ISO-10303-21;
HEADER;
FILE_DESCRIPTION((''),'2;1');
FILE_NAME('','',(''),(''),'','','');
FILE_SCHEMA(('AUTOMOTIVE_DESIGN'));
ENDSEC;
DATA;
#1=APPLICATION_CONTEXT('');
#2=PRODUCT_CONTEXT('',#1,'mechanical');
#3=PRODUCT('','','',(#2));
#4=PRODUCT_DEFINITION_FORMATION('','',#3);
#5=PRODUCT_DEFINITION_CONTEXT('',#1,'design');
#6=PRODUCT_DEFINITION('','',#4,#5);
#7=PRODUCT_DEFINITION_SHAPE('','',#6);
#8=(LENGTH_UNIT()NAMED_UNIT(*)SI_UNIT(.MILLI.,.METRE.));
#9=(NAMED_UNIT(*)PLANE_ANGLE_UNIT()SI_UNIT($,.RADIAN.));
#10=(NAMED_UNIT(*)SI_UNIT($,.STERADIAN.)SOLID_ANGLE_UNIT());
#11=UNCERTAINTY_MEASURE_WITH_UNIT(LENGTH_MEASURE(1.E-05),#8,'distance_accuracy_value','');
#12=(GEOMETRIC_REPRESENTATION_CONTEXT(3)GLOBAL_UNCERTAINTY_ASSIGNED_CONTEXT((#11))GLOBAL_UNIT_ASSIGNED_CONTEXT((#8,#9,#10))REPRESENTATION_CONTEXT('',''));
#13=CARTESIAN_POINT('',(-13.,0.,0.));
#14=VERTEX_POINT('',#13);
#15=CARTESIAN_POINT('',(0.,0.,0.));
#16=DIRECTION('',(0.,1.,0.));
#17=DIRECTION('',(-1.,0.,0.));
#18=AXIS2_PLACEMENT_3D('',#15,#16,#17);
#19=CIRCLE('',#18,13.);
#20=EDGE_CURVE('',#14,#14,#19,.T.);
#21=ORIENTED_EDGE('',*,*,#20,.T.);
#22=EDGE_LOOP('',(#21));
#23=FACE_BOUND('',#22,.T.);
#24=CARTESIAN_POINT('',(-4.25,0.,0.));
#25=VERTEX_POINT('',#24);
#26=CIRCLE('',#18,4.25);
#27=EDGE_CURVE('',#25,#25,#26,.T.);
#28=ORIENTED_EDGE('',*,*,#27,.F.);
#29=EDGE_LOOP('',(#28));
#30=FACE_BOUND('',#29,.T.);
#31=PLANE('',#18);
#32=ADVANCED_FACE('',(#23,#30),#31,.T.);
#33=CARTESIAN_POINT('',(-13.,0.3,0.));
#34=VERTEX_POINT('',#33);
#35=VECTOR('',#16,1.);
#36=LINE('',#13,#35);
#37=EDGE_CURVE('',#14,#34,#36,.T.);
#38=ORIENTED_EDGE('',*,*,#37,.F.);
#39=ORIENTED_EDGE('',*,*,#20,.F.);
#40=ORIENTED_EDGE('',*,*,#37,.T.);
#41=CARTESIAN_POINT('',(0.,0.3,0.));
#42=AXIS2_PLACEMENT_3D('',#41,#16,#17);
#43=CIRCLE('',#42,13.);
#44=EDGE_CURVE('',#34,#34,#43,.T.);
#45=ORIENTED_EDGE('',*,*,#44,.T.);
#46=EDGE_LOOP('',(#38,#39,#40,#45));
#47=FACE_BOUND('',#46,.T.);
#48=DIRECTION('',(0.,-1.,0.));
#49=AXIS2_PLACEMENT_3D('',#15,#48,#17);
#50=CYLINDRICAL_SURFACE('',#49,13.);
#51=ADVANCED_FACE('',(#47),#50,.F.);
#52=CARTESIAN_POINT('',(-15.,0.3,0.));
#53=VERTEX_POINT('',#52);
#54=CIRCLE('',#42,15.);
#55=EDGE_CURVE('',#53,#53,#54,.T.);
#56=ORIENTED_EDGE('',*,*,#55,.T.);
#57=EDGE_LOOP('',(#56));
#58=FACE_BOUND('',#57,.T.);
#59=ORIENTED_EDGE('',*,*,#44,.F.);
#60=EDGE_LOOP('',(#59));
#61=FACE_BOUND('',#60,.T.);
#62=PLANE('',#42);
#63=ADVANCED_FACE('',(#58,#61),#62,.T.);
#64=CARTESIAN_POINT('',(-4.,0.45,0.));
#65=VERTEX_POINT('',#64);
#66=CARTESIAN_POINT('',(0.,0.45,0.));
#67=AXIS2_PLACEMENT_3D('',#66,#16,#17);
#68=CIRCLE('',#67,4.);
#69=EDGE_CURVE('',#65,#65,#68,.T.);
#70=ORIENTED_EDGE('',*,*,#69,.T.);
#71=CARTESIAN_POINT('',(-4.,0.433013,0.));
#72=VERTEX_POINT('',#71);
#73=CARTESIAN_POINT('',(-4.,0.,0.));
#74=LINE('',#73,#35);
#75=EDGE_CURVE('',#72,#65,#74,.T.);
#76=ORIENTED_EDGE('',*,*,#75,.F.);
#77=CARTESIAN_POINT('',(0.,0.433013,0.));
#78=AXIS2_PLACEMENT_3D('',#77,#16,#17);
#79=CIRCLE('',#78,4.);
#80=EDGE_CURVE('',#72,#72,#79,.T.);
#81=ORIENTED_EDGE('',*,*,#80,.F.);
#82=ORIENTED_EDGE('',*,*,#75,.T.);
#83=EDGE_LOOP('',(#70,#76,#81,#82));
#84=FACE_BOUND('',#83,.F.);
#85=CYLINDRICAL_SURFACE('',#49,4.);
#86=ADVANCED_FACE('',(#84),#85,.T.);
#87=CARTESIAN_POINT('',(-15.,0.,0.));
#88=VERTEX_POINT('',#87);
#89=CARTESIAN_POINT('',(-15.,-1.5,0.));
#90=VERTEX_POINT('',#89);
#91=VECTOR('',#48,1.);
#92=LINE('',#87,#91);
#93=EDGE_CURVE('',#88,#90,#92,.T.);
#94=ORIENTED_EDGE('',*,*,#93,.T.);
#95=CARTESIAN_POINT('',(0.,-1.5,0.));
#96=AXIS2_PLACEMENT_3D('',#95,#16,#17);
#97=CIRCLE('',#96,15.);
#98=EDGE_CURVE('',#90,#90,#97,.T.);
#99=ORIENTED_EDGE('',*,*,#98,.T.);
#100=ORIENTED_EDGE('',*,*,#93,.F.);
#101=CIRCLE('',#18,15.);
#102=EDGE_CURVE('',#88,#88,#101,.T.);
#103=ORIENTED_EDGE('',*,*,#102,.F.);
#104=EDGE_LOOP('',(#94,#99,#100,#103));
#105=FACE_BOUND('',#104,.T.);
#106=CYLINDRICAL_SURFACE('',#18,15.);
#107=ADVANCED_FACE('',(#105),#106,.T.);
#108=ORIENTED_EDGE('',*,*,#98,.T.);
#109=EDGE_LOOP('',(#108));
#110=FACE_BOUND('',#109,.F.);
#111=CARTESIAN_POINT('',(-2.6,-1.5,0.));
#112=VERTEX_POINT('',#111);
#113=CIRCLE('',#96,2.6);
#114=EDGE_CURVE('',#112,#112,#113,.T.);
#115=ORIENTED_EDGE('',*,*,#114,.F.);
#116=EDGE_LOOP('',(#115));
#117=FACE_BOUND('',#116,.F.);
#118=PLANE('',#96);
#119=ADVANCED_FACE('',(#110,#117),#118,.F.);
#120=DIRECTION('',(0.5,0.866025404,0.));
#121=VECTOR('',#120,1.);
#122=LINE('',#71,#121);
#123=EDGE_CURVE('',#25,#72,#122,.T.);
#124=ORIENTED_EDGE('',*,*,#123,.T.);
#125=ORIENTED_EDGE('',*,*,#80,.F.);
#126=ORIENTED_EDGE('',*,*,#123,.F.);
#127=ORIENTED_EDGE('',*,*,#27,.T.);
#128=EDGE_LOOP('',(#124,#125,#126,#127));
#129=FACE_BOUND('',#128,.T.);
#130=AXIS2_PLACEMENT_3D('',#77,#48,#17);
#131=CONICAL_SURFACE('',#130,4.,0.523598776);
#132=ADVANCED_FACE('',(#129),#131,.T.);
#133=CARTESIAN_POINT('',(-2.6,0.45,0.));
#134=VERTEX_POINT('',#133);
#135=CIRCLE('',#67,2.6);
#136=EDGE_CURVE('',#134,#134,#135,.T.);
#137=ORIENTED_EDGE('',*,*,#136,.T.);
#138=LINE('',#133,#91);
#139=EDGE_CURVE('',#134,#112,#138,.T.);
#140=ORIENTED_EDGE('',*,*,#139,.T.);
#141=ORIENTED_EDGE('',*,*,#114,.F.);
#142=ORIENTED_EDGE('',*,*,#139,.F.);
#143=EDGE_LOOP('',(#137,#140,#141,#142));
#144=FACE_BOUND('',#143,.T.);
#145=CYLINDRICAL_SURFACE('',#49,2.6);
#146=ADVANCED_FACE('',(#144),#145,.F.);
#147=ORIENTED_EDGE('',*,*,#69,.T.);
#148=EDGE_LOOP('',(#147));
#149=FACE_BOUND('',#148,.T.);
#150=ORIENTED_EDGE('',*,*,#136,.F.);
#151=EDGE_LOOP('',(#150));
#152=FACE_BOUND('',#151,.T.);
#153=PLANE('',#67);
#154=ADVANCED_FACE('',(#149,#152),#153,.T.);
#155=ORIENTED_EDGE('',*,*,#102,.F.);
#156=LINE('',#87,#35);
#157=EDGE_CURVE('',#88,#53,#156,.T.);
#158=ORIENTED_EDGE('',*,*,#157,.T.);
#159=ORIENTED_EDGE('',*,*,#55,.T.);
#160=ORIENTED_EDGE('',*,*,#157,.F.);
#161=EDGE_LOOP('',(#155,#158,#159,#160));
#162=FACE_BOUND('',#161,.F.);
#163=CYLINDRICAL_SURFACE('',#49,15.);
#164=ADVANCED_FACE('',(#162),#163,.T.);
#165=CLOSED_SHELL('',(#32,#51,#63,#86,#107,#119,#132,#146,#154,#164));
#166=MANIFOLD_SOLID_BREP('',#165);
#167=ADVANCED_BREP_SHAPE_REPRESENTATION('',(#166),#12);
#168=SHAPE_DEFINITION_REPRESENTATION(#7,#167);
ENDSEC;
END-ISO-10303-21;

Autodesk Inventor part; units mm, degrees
ref_plane "YZ Plane" through (0, 0, 0) normal (1, 0, 0) x (0, 1, 0)
ref_plane "XZ Plane" through (0, 0, 0) normal (0, 1, 0) x (-1, 0, 0)
ref_plane "XY Plane" through (0, 0, 0) normal (0, 0, 1) x (1, 0, 0)
sketch "Sketch1" plane through (0, 0, 0) normal (0, 1, 0) x (-1, 0, 0)
  circle A0 centre (0, 0) radius 2.6
  circle A1 centre (0, 0) radius 4
  circle A2 centre (0, 0) radius 15
  circle A3 centre (0, 0) radius 13
  dimension "d21" = 5.2
  dimension "d22" = 8
  dimension "d23" = 30
  dimension "d31" = 2
extrude "Extrusion6" add sketch "Sketch1" against normal blind 1.5 contours A1 | A2 | A3
extrude "Extrusion7" add sketch "Sketch1" along normal blind 0.45 contours A1
chamfer "Chamfer1" distance 0.25 angle 60 1 edges at (4, 0, 0) measured on face at (-11.188, 0, -1.1966)
extrude "Extrusion8" add sketch "Sketch1" along normal blind 0.3 contours A2
properties part number "071_0204_RollCutter20mmScrewClamp8mm"
